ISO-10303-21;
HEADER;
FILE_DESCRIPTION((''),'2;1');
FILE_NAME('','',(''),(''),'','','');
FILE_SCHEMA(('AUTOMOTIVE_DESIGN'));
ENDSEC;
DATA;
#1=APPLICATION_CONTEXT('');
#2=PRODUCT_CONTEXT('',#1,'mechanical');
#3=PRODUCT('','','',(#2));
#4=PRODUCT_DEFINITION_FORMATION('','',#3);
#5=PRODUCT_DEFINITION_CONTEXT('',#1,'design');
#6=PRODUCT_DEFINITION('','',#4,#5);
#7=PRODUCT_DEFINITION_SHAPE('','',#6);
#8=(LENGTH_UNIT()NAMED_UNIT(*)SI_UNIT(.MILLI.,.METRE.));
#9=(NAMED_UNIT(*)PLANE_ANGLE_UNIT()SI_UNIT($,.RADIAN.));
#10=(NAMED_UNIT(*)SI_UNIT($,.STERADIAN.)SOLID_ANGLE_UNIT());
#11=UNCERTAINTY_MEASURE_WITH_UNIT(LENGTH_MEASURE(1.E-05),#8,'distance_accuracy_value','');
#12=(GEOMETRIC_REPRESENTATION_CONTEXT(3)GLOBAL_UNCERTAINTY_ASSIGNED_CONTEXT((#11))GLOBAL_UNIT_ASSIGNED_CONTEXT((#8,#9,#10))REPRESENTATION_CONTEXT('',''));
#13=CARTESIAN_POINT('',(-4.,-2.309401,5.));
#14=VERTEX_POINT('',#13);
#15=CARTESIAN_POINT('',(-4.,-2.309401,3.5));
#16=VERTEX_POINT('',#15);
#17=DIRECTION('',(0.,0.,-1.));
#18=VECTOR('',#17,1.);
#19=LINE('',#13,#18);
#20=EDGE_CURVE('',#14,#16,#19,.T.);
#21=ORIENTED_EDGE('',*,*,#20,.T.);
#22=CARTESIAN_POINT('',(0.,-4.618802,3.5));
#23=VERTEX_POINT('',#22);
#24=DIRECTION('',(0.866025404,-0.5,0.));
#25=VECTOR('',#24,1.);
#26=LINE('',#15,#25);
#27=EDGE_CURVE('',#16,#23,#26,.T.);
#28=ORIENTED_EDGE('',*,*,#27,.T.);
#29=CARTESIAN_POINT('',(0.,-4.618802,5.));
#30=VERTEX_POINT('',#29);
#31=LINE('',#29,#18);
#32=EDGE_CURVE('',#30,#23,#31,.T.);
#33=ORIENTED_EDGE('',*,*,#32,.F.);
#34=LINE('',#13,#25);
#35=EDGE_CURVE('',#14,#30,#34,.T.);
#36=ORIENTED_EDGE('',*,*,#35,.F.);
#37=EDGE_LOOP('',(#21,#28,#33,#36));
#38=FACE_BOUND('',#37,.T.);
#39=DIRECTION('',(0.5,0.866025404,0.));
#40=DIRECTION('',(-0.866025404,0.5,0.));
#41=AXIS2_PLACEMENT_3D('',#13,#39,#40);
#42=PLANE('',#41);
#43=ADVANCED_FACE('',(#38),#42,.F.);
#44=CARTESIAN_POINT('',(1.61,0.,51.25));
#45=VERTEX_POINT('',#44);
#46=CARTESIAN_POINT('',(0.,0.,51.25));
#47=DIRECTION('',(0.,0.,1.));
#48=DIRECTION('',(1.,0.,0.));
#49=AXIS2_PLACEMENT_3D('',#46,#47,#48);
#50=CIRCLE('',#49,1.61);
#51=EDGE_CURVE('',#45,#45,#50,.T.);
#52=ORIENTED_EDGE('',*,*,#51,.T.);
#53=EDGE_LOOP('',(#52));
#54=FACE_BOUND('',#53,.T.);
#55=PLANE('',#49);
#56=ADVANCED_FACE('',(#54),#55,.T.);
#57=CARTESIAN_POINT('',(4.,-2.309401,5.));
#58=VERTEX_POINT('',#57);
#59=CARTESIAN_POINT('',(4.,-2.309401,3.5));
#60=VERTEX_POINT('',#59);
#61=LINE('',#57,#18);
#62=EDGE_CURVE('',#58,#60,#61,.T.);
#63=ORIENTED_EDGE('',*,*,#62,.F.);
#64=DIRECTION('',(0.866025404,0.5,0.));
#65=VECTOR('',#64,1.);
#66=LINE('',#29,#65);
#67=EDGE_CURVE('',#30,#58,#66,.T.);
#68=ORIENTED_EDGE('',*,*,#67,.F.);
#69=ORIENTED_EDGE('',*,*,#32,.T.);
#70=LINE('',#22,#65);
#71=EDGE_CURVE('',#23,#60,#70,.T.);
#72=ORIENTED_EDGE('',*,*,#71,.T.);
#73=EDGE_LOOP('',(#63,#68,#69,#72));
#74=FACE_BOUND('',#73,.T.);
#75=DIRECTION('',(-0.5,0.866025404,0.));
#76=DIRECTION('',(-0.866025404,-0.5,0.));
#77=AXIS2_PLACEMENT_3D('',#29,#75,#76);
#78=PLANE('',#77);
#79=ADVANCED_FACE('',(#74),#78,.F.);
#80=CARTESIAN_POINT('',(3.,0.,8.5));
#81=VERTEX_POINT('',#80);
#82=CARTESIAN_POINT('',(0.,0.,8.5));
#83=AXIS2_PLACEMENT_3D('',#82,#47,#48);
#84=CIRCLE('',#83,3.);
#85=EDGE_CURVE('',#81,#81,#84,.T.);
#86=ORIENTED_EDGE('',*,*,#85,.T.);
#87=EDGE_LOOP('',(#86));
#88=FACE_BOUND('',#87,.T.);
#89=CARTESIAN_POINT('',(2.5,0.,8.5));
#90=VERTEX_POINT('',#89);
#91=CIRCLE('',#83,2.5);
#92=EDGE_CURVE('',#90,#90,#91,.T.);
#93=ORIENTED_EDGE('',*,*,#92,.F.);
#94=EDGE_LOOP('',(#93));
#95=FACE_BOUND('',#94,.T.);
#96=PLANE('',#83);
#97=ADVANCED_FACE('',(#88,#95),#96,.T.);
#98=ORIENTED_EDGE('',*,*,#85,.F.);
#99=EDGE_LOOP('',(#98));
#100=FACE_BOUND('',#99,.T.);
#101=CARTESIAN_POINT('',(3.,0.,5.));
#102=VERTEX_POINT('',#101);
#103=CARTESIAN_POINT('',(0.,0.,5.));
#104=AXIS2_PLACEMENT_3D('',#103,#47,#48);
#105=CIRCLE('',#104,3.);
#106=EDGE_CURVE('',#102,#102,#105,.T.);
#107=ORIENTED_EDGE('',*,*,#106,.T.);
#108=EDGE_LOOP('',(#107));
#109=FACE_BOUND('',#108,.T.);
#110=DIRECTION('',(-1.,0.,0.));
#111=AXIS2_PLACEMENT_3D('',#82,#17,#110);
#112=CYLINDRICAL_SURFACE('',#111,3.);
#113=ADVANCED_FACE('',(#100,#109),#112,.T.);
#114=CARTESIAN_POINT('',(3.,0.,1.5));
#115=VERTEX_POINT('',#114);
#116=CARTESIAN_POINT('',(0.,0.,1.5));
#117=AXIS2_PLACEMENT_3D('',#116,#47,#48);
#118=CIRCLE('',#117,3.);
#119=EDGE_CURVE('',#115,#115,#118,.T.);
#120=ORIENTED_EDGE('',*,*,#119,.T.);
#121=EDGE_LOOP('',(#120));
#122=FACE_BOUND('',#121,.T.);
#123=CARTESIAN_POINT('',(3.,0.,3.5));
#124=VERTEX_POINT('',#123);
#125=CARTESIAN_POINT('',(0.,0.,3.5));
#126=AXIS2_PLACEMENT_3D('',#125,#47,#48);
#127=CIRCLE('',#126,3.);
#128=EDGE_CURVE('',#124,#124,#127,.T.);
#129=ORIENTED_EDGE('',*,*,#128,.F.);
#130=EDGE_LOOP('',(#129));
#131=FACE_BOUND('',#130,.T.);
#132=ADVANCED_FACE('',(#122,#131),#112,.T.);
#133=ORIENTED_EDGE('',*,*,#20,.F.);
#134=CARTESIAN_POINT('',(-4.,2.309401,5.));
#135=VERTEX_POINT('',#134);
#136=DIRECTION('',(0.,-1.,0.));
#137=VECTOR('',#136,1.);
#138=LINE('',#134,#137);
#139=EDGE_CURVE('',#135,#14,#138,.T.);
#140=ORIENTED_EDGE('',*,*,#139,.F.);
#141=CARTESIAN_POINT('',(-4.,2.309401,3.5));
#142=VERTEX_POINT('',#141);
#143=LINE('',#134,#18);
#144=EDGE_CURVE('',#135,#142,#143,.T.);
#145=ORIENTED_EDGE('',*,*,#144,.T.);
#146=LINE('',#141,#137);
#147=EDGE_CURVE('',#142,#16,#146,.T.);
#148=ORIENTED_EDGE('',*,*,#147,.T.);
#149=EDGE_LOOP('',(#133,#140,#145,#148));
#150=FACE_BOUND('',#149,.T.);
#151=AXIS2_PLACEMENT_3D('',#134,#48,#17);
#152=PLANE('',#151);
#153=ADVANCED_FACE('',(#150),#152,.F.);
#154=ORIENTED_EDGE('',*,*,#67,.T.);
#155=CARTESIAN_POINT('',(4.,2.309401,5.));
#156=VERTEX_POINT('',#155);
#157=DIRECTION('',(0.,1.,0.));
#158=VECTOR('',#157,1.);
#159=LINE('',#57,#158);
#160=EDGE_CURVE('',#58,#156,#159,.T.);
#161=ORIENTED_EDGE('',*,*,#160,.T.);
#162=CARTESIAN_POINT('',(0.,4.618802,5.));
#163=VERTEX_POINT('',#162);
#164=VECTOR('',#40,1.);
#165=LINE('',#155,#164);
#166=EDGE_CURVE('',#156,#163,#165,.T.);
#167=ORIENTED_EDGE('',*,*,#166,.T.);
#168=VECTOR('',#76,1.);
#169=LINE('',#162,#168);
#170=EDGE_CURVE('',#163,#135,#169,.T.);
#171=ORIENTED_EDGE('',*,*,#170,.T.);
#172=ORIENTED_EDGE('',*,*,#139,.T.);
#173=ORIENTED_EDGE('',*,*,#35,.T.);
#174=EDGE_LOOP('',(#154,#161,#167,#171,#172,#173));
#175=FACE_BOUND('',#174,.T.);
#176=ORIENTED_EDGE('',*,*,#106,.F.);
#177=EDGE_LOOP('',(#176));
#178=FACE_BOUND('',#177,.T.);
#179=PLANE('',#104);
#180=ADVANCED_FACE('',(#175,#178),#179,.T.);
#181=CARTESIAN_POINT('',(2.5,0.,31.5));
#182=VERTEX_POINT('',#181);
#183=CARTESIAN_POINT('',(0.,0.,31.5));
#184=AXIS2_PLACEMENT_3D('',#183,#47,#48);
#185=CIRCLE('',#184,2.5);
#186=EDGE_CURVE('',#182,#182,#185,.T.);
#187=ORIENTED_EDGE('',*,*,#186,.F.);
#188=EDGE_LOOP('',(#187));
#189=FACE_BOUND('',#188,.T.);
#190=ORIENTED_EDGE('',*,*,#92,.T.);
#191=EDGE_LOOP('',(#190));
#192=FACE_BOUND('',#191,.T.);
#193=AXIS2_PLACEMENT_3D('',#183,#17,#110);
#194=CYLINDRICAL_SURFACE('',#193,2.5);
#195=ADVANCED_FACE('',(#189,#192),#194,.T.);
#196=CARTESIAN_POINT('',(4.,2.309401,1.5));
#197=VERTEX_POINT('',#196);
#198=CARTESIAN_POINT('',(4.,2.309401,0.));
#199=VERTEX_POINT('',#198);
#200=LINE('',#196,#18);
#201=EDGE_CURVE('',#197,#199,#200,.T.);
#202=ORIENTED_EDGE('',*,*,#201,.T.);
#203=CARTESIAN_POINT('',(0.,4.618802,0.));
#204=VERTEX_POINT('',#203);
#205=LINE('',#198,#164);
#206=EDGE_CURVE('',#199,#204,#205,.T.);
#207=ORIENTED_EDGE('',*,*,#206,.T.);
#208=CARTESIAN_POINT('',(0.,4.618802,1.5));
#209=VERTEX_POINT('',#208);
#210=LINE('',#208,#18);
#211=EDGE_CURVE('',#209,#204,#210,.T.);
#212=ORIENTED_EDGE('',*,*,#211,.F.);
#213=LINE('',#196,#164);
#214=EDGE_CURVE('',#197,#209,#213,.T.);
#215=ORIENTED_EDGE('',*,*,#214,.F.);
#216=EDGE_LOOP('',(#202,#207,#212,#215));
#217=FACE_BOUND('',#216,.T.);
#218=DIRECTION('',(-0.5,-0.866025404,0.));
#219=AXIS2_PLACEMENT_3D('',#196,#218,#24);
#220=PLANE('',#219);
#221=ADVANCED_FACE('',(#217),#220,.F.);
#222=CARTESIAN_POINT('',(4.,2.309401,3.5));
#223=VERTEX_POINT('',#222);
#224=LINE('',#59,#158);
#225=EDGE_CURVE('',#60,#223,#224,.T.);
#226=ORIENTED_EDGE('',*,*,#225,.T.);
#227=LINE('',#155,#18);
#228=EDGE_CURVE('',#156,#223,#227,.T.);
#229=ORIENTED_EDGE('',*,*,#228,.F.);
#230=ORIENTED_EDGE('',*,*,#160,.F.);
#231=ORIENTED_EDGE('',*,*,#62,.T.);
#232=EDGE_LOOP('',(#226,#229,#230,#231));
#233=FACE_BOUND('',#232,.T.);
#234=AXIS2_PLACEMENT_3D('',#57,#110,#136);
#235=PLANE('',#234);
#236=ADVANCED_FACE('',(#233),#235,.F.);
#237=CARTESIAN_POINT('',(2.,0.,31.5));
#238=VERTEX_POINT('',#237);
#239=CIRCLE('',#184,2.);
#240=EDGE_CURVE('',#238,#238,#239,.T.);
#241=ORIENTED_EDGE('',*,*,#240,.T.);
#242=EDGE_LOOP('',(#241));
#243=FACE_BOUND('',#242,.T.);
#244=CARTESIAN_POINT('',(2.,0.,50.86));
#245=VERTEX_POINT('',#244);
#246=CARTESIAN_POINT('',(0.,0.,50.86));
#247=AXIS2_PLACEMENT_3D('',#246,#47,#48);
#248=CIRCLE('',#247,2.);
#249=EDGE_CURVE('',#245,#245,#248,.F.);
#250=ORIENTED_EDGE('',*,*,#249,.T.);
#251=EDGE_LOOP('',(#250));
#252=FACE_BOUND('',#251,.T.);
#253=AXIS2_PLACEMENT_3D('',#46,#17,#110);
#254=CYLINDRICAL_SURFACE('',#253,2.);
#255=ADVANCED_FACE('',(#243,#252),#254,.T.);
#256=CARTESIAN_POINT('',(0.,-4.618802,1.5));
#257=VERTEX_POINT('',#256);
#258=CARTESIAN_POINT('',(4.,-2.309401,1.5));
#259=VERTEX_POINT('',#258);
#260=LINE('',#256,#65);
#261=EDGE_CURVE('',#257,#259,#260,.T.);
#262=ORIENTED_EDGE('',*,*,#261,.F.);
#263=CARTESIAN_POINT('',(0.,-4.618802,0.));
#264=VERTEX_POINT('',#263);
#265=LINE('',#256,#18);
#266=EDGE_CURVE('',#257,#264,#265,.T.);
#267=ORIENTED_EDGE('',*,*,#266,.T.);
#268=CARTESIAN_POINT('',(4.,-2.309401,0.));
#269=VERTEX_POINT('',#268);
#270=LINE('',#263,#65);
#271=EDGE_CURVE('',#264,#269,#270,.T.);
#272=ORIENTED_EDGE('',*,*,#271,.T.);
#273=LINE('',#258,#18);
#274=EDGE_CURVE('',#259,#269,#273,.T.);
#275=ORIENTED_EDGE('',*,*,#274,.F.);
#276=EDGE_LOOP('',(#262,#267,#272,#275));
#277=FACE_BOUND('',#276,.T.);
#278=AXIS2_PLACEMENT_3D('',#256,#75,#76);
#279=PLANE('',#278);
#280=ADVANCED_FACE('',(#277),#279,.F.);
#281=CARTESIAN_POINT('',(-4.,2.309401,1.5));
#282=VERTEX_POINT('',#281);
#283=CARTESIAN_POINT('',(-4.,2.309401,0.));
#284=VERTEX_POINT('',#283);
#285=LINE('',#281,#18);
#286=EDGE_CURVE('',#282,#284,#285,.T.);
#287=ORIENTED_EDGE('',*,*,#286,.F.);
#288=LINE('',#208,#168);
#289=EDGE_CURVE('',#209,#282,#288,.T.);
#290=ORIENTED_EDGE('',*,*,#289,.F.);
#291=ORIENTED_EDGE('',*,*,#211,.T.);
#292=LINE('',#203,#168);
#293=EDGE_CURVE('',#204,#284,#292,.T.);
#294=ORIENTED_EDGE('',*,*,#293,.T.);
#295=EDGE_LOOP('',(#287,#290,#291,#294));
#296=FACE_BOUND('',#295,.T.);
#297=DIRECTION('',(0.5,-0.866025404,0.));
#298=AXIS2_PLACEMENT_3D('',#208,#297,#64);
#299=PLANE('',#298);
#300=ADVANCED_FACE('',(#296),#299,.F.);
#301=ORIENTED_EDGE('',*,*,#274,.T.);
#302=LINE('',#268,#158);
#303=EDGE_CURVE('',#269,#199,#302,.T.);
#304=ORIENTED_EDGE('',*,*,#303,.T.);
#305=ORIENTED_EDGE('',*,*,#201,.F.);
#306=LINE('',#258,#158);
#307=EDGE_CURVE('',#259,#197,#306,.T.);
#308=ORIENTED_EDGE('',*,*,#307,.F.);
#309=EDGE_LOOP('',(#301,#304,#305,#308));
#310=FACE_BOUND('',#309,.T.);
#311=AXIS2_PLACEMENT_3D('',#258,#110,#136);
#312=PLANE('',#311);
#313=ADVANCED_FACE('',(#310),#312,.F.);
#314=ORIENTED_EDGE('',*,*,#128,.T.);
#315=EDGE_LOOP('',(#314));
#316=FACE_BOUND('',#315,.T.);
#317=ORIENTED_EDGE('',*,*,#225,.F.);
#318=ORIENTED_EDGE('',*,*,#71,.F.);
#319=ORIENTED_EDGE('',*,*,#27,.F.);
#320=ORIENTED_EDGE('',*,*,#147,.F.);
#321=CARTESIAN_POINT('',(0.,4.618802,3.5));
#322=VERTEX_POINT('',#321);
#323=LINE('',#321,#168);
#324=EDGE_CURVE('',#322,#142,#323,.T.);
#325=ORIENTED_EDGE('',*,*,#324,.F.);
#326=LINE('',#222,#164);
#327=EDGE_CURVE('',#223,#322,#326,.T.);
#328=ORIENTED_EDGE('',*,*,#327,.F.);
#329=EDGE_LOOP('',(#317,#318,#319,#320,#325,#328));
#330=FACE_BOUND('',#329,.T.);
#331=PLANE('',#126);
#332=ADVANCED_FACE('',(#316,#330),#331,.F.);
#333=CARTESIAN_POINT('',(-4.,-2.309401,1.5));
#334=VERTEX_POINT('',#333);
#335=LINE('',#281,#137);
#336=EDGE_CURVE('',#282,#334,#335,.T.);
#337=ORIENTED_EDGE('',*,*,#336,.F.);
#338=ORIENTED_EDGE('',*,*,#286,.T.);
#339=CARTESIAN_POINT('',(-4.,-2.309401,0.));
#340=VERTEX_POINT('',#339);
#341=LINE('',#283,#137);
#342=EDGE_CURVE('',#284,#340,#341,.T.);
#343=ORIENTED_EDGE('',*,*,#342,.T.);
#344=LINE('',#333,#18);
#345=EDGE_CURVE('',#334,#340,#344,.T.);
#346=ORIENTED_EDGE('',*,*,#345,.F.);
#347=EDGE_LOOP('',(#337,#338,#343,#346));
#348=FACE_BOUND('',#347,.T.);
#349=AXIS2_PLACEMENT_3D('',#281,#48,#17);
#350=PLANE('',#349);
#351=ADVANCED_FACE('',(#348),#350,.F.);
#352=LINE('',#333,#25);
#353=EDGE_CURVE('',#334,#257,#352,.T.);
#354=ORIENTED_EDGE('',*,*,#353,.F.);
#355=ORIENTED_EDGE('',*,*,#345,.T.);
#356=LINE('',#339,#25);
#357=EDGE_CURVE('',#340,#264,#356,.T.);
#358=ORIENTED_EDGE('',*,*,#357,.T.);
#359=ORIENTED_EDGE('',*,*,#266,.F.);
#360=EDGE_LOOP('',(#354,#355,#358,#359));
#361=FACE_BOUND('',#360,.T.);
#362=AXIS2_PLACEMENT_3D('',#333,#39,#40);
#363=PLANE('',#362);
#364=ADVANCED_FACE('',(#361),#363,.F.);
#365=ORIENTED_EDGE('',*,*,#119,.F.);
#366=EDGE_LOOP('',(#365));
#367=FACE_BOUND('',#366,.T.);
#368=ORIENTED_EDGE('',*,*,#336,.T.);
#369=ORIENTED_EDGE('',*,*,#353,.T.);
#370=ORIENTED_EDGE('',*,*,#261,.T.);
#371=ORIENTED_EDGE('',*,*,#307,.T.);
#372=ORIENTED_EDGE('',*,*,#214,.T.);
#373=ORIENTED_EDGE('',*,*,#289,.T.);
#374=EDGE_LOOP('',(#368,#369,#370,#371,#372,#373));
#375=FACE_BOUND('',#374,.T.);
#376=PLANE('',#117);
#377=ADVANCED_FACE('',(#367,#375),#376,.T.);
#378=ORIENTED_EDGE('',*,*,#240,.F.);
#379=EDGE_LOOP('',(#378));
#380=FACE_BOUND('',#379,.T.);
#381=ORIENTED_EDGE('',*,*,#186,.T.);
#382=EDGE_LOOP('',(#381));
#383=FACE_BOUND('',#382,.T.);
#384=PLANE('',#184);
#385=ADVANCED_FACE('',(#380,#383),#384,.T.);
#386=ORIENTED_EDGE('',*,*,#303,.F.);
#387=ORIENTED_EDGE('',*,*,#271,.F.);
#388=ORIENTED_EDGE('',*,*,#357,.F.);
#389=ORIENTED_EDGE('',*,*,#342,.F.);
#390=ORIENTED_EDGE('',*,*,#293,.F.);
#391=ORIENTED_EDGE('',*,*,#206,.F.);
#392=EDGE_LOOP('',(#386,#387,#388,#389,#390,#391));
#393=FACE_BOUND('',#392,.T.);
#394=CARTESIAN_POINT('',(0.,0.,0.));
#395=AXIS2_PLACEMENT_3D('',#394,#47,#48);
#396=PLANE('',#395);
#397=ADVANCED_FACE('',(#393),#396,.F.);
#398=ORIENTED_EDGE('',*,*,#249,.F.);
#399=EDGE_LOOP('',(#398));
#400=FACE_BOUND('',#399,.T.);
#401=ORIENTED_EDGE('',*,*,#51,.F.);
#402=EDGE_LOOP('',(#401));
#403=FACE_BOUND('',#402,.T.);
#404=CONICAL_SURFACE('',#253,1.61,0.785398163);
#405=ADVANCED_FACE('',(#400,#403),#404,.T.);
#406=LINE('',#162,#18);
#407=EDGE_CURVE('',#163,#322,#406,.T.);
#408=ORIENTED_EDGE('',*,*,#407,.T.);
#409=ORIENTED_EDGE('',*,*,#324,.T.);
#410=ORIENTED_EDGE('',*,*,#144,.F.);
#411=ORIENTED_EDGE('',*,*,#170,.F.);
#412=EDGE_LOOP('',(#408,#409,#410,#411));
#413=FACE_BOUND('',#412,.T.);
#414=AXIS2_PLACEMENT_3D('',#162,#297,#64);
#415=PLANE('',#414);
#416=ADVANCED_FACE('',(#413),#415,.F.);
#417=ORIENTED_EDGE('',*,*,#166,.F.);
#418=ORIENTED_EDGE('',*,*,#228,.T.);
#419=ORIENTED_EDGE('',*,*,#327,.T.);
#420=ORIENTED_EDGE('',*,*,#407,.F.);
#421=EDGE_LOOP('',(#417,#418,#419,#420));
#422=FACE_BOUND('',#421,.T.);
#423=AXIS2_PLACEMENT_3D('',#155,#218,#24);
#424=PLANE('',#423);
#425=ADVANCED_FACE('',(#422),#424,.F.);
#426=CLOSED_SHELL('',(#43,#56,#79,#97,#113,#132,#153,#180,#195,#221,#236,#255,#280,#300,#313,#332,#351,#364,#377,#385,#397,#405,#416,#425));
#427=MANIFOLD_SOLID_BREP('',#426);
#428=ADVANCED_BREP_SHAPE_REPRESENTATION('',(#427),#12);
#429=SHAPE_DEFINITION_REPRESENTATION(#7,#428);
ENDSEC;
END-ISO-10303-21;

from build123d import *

# Parameters (mm, degrees)
EXTRUDE_1_DEPTH = 1.5
SKETCH_2_R      = 3
EXTRUDE_2_DEPTH = 7
EXTRUDE_START   = 3.5
EXTRUDE_3_DEPTH = 1.5
SKETCH_3_R      = 2.5
EXTRUDE_4_DEPTH = 23
SKETCH_4_R      = 2
EXTRUDE_5_DEPTH = 19.75
CHAMFER_1_SIZE  = 0.39


with BuildPart() as part:
    # Эскиз1 → Бобышка-Вытянуть1 (new body)
    with BuildSketch(Plane.XY):
        Polygon((-4, 2.309401077), (-4, -2.309401077), (0, -4.618802154), (4, -2.309401077), (4, 2.309401077), (0, 4.618802154), align=None)
    extrude(amount=EXTRUDE_1_DEPTH)

    # Эскиз2 → Бобышка-Вытянуть2 (add)
    with BuildSketch(Plane.XY.offset(1.5)):
        Circle(SKETCH_2_R)
    extrude(amount=EXTRUDE_2_DEPTH)

    # Эскиз1<2> → Бобышка-Вытянуть3 (add)
    with BuildSketch(Plane.XY.offset(EXTRUDE_START)):
        Polygon((-4, 2.309401077), (-4, -2.309401077), (0, -4.618802154), (4, -2.309401077), (4, 2.309401077), (0, 4.618802154), align=None)
    extrude(amount=EXTRUDE_3_DEPTH)

    # Эскиз3 → Бобышка-Вытянуть4 (add)
    with BuildSketch(Plane.XY.offset(8.5)):
        Circle(SKETCH_3_R)
    extrude(amount=EXTRUDE_4_DEPTH)

    # Эскиз4 → Бобышка-Вытянуть5 (add)
    with BuildSketch(Plane.XY.offset(31.5)):
        Circle(SKETCH_4_R)
    extrude(amount=EXTRUDE_5_DEPTH)

    # Фаска1
    chamfer_1_edges = [part.edges().sort_by_distance(p)[0] for p in [
        (-2, 0, 51.25),
    ]]
    chamfer(chamfer_1_edges, length=CHAMFER_1_SIZE)


solid = part.part
